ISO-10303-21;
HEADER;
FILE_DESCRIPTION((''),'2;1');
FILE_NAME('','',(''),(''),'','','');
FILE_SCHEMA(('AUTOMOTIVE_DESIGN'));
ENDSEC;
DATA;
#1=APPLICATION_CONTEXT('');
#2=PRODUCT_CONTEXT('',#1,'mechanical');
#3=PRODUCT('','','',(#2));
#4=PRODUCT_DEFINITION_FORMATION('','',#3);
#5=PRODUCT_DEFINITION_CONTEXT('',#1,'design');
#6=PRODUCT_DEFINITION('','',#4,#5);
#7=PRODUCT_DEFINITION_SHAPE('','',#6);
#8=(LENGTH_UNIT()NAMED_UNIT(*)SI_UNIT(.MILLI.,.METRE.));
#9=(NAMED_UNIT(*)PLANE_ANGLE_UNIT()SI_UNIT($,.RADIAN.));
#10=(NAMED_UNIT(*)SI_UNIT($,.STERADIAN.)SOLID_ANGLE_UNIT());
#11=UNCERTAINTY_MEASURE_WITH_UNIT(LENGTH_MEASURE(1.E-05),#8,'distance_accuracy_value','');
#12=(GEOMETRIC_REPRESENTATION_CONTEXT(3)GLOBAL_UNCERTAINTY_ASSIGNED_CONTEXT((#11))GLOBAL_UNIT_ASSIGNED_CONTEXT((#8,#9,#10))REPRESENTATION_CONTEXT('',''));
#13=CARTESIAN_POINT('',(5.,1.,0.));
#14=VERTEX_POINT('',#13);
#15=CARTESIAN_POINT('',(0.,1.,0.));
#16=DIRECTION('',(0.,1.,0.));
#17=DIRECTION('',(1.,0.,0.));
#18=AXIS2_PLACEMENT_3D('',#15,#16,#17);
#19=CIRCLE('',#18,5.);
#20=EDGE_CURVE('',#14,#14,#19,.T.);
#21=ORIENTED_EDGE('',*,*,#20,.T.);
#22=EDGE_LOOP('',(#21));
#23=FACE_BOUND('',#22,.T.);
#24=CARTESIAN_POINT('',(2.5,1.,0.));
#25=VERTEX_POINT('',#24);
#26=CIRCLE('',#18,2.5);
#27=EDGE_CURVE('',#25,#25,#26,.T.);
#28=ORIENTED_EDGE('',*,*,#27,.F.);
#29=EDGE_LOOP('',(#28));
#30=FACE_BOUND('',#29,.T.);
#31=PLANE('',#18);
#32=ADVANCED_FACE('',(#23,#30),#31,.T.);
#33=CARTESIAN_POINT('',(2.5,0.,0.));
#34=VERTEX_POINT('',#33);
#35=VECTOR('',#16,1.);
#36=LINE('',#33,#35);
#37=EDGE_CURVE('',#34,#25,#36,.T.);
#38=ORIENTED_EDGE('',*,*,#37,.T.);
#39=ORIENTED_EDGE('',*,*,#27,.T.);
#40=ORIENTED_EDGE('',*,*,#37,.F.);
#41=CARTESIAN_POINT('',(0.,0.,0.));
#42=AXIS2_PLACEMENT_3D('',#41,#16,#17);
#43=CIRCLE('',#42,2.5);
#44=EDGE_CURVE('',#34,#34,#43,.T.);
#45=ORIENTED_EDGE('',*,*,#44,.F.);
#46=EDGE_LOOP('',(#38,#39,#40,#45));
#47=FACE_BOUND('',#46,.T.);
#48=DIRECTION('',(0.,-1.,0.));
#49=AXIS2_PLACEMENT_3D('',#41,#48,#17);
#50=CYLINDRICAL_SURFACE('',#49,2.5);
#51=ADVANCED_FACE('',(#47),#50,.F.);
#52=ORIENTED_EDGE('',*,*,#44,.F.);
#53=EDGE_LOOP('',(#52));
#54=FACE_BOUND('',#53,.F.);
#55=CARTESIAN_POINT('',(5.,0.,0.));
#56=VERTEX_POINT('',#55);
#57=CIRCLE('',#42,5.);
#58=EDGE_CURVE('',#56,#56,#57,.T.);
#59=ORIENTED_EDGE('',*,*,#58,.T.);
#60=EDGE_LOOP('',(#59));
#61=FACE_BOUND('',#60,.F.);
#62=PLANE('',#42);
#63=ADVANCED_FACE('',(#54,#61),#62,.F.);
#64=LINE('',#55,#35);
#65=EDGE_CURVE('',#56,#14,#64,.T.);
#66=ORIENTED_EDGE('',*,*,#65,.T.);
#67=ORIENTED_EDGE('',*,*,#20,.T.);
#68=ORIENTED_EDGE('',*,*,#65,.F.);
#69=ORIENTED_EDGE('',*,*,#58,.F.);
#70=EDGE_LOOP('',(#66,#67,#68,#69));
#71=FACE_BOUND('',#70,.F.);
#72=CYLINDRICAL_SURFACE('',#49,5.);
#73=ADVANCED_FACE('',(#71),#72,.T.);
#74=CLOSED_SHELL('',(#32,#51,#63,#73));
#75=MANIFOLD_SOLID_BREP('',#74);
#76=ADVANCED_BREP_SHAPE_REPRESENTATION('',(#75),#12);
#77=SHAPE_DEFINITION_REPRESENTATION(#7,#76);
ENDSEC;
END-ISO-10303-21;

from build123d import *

# Parameters (mm, degrees)
ESQUISSE1_R        = 5
ESQUISSE1_R_2      = 2.5
BOSS_EXTRU_1_DEPTH = 1


with BuildPart() as part:
    # Esquisse1 → Boss.-Extru.1 (new body)
    with BuildSketch(Plane(origin=(0, 0, 0), x_dir=(1, 0, 0), z_dir=(0, 1, 0))):
        Circle(ESQUISSE1_R)
        Circle(ESQUISSE1_R_2, mode=Mode.SUBTRACT)
    extrude(amount=BOSS_EXTRU_1_DEPTH)


solid = part.part
